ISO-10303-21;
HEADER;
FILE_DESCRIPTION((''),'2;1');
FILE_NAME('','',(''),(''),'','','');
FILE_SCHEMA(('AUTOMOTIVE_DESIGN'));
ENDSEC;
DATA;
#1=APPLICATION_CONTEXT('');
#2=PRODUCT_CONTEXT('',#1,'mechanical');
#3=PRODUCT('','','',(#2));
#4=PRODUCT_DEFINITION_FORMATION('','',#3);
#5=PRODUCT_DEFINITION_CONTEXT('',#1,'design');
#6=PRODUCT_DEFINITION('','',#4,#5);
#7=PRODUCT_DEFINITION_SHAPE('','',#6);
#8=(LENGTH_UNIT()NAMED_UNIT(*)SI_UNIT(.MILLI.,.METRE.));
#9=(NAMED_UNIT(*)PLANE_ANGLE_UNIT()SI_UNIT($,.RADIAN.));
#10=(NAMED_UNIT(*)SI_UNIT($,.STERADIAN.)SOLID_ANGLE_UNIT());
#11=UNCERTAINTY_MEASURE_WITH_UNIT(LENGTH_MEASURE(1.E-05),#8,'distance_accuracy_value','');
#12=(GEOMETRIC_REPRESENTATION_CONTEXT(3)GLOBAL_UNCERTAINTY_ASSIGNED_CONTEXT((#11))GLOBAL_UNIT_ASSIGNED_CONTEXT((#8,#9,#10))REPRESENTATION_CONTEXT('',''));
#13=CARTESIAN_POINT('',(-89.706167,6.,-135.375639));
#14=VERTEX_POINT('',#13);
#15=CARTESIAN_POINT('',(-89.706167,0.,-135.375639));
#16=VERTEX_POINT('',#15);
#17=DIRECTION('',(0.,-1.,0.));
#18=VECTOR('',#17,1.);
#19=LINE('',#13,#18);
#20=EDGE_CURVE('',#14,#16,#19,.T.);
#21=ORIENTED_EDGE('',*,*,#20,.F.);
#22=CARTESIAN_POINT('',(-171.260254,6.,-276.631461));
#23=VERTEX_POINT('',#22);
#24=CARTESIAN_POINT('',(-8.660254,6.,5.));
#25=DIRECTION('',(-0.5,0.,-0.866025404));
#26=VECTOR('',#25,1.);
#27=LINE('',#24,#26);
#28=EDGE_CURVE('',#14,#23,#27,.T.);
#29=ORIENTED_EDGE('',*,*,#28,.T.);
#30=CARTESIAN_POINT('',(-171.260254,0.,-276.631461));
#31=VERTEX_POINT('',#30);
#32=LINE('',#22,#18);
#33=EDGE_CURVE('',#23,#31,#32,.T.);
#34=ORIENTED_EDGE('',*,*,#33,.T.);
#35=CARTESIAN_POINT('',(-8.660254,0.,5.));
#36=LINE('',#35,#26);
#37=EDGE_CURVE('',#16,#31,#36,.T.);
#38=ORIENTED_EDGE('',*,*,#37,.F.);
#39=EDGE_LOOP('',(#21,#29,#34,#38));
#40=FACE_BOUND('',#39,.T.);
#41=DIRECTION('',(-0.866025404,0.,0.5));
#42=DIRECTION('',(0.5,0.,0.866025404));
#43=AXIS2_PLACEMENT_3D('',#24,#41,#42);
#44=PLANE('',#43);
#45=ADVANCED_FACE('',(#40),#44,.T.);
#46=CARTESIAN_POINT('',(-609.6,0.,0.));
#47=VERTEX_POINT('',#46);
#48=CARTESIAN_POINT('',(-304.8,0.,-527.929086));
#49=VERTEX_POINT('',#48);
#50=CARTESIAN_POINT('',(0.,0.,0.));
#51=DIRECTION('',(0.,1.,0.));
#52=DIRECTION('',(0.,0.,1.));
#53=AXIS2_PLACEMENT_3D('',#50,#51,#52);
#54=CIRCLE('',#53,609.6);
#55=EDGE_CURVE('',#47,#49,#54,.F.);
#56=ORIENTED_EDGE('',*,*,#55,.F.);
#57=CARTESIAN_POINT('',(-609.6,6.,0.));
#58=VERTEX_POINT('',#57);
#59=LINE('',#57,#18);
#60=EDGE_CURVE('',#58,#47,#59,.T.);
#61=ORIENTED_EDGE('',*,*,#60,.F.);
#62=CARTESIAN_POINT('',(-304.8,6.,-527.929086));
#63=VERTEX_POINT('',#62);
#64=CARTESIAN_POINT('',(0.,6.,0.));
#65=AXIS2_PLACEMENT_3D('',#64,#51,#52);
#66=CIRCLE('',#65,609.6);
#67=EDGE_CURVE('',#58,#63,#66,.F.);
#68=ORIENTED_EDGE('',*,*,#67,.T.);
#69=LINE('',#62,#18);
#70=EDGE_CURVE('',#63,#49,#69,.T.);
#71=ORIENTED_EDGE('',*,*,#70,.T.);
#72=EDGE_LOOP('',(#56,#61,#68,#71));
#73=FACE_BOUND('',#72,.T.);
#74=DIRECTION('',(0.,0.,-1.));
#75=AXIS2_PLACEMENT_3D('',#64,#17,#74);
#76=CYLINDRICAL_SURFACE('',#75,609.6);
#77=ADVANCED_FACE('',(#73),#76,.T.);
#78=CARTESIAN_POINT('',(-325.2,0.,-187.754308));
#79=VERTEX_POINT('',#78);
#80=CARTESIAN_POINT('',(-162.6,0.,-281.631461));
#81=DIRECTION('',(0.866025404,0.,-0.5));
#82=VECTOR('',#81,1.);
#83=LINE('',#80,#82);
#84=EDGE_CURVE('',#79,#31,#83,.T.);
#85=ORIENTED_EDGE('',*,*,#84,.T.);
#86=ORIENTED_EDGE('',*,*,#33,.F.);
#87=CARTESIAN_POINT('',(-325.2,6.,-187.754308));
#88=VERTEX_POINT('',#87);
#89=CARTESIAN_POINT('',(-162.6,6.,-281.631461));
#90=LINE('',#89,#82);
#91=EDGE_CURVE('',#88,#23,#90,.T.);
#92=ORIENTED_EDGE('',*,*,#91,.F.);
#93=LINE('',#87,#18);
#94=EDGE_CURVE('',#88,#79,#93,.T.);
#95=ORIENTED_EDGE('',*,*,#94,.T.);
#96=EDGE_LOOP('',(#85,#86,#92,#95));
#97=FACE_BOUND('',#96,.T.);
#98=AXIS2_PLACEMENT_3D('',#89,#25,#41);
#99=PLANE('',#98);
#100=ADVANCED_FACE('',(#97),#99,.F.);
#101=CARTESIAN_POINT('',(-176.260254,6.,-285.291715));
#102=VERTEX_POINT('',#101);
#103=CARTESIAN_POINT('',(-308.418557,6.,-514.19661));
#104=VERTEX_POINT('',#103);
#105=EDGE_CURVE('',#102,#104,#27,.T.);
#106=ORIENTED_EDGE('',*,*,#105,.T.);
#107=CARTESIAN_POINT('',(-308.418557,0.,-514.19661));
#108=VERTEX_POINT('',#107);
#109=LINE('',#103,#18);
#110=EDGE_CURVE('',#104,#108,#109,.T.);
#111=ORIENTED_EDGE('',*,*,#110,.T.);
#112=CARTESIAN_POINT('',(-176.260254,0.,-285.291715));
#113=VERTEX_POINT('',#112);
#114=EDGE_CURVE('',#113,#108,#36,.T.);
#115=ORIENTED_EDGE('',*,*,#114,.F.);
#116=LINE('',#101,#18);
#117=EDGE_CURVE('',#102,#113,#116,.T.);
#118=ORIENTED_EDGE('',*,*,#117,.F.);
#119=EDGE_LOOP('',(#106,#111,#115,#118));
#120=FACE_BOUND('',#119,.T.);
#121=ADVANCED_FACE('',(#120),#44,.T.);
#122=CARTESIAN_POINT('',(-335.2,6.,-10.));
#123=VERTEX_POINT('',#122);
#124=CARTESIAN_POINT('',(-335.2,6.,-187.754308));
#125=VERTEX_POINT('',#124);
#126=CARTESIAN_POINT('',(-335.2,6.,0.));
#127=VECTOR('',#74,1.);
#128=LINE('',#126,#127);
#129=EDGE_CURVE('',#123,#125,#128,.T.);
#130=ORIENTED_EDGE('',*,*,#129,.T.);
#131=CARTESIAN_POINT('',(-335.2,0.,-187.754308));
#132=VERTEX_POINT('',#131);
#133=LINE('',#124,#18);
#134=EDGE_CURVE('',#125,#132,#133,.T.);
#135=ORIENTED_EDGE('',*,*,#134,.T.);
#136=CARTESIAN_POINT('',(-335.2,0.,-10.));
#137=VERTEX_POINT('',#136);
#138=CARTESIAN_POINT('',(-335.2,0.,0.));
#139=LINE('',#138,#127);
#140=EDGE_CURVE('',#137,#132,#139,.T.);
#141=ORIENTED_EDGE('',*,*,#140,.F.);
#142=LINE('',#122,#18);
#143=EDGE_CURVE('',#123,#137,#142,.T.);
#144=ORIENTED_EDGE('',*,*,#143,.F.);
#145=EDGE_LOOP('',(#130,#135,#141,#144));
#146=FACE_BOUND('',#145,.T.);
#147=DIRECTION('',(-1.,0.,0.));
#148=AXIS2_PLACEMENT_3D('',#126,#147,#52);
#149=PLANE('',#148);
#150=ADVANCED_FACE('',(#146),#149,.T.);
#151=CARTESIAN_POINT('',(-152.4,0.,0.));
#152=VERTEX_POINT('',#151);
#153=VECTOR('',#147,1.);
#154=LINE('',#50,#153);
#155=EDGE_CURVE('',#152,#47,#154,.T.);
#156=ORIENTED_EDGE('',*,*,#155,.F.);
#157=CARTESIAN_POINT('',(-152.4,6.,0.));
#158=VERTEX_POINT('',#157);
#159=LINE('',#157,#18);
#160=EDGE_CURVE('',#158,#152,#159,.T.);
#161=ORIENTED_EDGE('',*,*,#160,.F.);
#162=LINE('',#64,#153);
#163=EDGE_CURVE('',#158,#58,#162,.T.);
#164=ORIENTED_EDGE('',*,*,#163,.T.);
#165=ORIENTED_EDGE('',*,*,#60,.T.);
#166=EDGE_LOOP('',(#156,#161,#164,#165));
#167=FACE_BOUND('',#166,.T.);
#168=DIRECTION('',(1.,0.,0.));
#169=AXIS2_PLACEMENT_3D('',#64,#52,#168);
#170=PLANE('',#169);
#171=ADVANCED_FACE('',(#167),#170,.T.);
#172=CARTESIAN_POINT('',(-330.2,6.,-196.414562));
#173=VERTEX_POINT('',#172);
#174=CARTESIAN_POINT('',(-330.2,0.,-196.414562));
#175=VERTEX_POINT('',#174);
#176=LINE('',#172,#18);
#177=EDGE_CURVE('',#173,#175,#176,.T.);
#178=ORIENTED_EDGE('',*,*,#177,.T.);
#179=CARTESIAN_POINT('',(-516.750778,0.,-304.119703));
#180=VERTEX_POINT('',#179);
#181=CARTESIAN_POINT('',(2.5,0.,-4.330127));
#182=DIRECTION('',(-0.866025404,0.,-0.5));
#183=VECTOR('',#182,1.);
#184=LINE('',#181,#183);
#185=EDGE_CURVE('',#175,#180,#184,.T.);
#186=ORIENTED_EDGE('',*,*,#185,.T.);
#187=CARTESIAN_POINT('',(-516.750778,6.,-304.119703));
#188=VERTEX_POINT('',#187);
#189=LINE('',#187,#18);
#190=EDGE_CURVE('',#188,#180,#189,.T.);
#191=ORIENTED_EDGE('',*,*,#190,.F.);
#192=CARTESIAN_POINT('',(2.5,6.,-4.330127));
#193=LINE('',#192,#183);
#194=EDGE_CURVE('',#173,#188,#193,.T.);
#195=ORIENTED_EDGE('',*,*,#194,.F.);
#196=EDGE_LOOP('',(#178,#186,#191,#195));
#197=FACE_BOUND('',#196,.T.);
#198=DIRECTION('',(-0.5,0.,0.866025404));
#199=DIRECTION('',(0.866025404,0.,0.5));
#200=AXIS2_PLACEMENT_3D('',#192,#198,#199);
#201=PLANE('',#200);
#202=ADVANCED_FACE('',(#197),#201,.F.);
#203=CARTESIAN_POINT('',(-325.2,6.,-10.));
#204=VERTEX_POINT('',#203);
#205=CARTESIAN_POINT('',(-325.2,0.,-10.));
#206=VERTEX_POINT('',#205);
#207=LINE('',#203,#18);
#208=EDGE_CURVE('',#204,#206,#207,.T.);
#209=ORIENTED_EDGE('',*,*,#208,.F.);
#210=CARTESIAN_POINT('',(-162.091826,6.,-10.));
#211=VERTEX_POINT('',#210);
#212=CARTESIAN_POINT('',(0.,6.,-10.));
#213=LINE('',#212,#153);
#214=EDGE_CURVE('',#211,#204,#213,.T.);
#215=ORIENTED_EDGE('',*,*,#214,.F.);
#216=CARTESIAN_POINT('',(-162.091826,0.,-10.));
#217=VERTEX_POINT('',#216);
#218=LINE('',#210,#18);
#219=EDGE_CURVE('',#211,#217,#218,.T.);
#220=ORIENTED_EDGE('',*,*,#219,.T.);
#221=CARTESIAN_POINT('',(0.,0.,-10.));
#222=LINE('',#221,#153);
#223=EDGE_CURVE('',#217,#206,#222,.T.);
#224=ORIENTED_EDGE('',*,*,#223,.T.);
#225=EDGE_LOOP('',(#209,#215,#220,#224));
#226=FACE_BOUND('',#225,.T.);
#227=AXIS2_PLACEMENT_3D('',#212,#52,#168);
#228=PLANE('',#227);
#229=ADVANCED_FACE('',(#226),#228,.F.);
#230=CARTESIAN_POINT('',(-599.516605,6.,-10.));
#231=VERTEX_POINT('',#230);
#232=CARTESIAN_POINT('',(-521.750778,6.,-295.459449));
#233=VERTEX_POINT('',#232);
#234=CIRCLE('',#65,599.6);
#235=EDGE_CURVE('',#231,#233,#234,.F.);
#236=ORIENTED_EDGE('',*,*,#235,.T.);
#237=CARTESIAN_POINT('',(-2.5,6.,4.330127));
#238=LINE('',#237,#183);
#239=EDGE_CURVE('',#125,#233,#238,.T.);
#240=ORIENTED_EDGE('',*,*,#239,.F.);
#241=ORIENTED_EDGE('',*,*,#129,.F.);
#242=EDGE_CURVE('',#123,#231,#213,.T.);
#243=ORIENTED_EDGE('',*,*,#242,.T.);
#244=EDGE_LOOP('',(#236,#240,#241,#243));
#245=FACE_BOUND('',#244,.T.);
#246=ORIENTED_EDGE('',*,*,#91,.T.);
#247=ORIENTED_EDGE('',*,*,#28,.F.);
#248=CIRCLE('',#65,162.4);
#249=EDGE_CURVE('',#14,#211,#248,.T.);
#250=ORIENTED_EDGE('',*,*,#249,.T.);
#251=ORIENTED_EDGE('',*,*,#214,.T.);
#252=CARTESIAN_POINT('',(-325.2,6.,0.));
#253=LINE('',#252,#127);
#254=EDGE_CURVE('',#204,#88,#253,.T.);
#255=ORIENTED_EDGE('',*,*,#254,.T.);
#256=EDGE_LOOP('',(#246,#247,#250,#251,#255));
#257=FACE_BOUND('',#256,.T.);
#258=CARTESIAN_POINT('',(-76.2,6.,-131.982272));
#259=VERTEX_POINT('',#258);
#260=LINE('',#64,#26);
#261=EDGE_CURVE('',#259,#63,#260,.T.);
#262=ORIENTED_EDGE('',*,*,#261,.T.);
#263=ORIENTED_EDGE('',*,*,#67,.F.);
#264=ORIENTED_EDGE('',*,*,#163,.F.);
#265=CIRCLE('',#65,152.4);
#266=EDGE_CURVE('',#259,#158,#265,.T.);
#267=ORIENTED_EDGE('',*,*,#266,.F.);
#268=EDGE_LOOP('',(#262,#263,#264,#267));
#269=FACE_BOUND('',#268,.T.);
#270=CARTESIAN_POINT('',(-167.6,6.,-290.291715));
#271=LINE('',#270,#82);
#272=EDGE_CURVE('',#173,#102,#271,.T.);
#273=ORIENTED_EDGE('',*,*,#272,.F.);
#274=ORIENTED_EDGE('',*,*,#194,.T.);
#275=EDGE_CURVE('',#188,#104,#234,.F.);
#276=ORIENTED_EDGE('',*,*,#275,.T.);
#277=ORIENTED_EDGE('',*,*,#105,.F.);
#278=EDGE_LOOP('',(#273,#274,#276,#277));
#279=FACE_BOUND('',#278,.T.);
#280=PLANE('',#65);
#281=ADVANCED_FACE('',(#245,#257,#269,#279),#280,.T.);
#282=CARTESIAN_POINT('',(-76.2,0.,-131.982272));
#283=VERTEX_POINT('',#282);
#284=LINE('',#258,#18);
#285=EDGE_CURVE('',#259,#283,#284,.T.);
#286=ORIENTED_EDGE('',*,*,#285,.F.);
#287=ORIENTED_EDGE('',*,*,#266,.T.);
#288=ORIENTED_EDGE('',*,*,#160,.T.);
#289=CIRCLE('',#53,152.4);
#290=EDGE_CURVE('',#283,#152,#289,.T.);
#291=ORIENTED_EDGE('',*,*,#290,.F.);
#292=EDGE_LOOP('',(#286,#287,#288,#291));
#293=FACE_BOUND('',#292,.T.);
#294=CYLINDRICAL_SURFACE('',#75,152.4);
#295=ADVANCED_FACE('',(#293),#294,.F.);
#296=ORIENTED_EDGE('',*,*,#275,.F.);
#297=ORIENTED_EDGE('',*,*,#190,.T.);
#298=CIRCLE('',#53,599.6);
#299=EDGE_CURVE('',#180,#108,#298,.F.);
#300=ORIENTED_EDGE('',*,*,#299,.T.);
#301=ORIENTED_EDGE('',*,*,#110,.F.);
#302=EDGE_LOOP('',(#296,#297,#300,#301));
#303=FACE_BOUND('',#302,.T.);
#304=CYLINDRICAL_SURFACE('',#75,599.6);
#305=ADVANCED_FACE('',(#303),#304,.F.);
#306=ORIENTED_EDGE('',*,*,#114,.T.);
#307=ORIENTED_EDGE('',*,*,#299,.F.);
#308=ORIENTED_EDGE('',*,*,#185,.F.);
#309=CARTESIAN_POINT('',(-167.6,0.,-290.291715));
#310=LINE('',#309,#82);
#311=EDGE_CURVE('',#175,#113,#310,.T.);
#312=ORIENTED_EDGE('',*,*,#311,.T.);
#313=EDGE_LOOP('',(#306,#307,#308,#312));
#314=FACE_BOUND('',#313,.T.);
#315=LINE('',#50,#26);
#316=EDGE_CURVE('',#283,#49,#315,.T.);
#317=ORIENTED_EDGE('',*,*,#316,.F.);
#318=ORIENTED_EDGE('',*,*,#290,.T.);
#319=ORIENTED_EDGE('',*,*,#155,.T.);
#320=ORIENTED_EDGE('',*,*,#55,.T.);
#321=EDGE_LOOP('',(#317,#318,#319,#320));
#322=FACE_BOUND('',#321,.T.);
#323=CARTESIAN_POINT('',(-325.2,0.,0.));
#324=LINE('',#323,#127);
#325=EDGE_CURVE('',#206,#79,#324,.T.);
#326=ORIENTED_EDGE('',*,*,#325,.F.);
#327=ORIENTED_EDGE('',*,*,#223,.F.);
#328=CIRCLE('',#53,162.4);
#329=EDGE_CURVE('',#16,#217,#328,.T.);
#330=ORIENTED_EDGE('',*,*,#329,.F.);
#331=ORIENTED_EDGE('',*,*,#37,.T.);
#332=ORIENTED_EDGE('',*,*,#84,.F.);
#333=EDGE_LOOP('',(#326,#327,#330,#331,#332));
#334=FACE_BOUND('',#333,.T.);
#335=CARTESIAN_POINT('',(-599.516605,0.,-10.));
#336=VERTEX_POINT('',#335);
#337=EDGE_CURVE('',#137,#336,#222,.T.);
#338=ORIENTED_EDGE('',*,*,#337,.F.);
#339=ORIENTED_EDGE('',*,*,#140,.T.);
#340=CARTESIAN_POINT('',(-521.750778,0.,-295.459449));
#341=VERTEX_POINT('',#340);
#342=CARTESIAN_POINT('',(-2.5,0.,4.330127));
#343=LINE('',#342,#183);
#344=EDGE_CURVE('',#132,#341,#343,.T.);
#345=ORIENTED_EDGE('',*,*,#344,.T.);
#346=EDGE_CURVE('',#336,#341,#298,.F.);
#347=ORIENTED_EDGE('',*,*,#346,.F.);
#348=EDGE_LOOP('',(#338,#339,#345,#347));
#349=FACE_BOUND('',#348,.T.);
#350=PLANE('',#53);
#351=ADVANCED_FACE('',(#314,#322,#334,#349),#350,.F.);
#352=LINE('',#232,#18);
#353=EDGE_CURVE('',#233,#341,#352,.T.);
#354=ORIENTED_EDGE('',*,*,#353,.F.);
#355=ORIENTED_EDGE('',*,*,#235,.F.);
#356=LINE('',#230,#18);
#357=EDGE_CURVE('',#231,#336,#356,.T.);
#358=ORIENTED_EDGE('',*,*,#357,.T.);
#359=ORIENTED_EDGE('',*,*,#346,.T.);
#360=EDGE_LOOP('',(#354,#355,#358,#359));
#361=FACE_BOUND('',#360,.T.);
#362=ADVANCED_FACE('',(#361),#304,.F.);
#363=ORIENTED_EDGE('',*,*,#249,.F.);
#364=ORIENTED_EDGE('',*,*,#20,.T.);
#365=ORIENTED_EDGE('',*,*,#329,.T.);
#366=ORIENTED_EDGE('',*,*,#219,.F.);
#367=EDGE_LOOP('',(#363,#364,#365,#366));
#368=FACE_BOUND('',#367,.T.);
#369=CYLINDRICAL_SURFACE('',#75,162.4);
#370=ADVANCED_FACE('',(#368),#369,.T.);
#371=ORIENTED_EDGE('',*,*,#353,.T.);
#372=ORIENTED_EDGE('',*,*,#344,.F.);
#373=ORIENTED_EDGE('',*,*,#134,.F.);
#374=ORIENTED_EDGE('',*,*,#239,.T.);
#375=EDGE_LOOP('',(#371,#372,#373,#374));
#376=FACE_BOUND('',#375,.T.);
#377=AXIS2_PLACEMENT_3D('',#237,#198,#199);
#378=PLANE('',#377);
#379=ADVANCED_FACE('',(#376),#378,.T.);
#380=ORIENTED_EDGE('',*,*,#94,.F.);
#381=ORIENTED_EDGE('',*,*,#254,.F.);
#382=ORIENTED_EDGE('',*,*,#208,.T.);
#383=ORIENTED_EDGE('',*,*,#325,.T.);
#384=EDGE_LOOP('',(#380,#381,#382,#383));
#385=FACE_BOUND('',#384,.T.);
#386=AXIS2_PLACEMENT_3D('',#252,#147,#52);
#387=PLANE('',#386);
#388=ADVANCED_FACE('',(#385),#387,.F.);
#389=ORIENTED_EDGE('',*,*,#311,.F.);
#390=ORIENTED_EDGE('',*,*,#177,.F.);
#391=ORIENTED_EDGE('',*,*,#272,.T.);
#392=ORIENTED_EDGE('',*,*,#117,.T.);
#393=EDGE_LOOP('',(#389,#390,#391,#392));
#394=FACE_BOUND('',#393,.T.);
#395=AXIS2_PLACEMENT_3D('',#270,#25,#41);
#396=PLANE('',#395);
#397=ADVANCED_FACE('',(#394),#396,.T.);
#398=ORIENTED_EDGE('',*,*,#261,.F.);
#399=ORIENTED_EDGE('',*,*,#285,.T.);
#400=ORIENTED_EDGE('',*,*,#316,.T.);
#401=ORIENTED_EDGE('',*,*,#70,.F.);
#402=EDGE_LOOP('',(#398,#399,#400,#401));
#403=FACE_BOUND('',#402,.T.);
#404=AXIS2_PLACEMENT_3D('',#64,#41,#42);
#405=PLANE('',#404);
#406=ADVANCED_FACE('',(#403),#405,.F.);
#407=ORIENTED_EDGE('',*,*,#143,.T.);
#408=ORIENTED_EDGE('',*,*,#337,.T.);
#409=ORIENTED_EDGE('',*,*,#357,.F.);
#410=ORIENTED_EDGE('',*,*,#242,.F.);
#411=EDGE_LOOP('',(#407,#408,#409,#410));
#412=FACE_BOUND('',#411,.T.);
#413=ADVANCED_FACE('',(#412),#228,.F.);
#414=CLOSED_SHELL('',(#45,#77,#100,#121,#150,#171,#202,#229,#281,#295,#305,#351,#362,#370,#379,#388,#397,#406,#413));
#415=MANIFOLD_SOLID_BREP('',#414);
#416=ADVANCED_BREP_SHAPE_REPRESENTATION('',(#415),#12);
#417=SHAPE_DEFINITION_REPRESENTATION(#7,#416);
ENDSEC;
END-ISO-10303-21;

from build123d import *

# Parameters (mm, degrees)
BOSS_EXTRUDE3_DEPTH = 6


with BuildPart() as part:
    # Sketch1 → Boss-Extrude3 (new body)
    with BuildSketch(Plane(origin=(0, 0, 0), x_dir=(1, 0, 0), z_dir=(0, 1, 0))):
        with BuildLine():
            ThreePointArc((-76.2, 131.982271537), (-131.982271537, 76.2), (-152.4, 0))
            Line((-152.4, 0), (-609.6, 0))
            ThreePointArc((-609.6, 0), (-527.929086147, 304.8), (-304.8, 527.929086147))
            Line((-304.8, 527.929086147), (-76.2, 131.982271537))
        make_face()
        with BuildLine():
            Line((-335.2, 10), (-599.516605275, 10))
            ThreePointArc((-599.516605275, 10), (-578.516992176, 157.601553812), (-521.750777563, 295.459449184))
            Line((-521.750777563, 295.459449184), (-335.2, 187.75430754))
            Line((-335.2, 187.75430754), (-335.2, 10))
        make_face(mode=Mode.SUBTRACT)
        with BuildLine():
            Line((-89.706166951, 135.375638912), (-171.260254038, 276.631461311))
            Line((-171.260254038, 276.631461311), (-325.2, 187.75430754))
            Line((-325.2, 187.75430754), (-325.2, 10))
            Line((-325.2, 10), (-162.091825827, 10))
            ThreePointArc((-162.091825827, 10), (-140.642525575, 81.2), (-89.706166951, 135.375638912))
        make_face(mode=Mode.SUBTRACT)
        with BuildLine():
            Line((-330.2, 196.414561578), (-516.750777563, 304.119703222))
            ThreePointArc((-516.750777563, 304.119703222), (-425.745445365, 422.209634839), (-308.418556675, 514.196610158))
            Line((-308.418556675, 514.196610158), (-176.260254038, 285.291715349))
            Line((-176.260254038, 285.291715349), (-330.2, 196.414561578))
        make_face(mode=Mode.SUBTRACT)
    extrude(amount=BOSS_EXTRUDE3_DEPTH)


solid = part.part
